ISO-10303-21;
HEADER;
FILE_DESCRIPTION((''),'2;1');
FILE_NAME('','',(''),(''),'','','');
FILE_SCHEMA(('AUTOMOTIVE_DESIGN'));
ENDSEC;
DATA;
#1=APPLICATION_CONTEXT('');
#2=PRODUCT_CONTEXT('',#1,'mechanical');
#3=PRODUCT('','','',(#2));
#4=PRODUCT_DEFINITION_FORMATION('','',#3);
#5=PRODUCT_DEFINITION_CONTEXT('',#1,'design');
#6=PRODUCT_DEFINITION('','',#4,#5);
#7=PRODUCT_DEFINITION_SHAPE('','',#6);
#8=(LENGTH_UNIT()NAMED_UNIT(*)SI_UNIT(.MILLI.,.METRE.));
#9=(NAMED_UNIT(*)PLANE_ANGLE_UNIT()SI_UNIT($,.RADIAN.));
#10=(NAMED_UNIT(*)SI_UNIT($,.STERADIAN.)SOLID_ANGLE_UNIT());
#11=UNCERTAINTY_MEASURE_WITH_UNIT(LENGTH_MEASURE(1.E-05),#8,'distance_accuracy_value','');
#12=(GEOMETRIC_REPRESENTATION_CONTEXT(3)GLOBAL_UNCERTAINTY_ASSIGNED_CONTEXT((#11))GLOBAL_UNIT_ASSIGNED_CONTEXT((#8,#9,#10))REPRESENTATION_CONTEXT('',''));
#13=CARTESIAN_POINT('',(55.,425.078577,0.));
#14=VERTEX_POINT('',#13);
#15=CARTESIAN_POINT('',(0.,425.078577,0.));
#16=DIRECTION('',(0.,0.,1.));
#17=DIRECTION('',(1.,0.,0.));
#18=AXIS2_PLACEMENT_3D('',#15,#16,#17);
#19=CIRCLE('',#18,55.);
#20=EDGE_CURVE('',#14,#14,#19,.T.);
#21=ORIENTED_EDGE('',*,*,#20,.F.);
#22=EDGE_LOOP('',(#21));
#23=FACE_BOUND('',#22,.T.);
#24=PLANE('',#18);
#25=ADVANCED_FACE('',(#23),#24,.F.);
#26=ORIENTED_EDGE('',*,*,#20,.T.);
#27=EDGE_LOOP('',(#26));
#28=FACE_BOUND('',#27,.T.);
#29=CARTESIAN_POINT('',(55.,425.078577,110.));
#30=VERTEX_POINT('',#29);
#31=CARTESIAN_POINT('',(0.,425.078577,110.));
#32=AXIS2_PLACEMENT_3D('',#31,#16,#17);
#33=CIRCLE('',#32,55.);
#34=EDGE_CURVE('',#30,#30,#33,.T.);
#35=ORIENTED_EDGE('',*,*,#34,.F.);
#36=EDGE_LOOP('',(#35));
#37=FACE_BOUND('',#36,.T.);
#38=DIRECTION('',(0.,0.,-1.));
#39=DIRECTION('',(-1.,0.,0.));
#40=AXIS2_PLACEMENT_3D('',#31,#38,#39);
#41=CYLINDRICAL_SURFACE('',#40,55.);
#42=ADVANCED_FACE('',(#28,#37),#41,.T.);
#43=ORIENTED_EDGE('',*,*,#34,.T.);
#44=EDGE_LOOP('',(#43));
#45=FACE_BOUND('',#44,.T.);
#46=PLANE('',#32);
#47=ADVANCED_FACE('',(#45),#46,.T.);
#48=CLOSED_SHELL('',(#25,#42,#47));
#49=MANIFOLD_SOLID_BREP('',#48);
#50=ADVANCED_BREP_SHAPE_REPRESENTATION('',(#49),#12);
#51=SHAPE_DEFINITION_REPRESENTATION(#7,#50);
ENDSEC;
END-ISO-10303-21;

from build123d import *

# Parameters (mm, degrees)
SKETCH1_R           = 55
BOSS_EXTRUDE1_DEPTH = 110


with BuildPart() as part:
    # Sketch1 → Boss-Extrude1 (new body)
    with BuildSketch(Plane.XY):
        with Locations((0, 425.078577337)):
            Circle(SKETCH1_R)
    extrude(amount=BOSS_EXTRUDE1_DEPTH)


solid = part.part
